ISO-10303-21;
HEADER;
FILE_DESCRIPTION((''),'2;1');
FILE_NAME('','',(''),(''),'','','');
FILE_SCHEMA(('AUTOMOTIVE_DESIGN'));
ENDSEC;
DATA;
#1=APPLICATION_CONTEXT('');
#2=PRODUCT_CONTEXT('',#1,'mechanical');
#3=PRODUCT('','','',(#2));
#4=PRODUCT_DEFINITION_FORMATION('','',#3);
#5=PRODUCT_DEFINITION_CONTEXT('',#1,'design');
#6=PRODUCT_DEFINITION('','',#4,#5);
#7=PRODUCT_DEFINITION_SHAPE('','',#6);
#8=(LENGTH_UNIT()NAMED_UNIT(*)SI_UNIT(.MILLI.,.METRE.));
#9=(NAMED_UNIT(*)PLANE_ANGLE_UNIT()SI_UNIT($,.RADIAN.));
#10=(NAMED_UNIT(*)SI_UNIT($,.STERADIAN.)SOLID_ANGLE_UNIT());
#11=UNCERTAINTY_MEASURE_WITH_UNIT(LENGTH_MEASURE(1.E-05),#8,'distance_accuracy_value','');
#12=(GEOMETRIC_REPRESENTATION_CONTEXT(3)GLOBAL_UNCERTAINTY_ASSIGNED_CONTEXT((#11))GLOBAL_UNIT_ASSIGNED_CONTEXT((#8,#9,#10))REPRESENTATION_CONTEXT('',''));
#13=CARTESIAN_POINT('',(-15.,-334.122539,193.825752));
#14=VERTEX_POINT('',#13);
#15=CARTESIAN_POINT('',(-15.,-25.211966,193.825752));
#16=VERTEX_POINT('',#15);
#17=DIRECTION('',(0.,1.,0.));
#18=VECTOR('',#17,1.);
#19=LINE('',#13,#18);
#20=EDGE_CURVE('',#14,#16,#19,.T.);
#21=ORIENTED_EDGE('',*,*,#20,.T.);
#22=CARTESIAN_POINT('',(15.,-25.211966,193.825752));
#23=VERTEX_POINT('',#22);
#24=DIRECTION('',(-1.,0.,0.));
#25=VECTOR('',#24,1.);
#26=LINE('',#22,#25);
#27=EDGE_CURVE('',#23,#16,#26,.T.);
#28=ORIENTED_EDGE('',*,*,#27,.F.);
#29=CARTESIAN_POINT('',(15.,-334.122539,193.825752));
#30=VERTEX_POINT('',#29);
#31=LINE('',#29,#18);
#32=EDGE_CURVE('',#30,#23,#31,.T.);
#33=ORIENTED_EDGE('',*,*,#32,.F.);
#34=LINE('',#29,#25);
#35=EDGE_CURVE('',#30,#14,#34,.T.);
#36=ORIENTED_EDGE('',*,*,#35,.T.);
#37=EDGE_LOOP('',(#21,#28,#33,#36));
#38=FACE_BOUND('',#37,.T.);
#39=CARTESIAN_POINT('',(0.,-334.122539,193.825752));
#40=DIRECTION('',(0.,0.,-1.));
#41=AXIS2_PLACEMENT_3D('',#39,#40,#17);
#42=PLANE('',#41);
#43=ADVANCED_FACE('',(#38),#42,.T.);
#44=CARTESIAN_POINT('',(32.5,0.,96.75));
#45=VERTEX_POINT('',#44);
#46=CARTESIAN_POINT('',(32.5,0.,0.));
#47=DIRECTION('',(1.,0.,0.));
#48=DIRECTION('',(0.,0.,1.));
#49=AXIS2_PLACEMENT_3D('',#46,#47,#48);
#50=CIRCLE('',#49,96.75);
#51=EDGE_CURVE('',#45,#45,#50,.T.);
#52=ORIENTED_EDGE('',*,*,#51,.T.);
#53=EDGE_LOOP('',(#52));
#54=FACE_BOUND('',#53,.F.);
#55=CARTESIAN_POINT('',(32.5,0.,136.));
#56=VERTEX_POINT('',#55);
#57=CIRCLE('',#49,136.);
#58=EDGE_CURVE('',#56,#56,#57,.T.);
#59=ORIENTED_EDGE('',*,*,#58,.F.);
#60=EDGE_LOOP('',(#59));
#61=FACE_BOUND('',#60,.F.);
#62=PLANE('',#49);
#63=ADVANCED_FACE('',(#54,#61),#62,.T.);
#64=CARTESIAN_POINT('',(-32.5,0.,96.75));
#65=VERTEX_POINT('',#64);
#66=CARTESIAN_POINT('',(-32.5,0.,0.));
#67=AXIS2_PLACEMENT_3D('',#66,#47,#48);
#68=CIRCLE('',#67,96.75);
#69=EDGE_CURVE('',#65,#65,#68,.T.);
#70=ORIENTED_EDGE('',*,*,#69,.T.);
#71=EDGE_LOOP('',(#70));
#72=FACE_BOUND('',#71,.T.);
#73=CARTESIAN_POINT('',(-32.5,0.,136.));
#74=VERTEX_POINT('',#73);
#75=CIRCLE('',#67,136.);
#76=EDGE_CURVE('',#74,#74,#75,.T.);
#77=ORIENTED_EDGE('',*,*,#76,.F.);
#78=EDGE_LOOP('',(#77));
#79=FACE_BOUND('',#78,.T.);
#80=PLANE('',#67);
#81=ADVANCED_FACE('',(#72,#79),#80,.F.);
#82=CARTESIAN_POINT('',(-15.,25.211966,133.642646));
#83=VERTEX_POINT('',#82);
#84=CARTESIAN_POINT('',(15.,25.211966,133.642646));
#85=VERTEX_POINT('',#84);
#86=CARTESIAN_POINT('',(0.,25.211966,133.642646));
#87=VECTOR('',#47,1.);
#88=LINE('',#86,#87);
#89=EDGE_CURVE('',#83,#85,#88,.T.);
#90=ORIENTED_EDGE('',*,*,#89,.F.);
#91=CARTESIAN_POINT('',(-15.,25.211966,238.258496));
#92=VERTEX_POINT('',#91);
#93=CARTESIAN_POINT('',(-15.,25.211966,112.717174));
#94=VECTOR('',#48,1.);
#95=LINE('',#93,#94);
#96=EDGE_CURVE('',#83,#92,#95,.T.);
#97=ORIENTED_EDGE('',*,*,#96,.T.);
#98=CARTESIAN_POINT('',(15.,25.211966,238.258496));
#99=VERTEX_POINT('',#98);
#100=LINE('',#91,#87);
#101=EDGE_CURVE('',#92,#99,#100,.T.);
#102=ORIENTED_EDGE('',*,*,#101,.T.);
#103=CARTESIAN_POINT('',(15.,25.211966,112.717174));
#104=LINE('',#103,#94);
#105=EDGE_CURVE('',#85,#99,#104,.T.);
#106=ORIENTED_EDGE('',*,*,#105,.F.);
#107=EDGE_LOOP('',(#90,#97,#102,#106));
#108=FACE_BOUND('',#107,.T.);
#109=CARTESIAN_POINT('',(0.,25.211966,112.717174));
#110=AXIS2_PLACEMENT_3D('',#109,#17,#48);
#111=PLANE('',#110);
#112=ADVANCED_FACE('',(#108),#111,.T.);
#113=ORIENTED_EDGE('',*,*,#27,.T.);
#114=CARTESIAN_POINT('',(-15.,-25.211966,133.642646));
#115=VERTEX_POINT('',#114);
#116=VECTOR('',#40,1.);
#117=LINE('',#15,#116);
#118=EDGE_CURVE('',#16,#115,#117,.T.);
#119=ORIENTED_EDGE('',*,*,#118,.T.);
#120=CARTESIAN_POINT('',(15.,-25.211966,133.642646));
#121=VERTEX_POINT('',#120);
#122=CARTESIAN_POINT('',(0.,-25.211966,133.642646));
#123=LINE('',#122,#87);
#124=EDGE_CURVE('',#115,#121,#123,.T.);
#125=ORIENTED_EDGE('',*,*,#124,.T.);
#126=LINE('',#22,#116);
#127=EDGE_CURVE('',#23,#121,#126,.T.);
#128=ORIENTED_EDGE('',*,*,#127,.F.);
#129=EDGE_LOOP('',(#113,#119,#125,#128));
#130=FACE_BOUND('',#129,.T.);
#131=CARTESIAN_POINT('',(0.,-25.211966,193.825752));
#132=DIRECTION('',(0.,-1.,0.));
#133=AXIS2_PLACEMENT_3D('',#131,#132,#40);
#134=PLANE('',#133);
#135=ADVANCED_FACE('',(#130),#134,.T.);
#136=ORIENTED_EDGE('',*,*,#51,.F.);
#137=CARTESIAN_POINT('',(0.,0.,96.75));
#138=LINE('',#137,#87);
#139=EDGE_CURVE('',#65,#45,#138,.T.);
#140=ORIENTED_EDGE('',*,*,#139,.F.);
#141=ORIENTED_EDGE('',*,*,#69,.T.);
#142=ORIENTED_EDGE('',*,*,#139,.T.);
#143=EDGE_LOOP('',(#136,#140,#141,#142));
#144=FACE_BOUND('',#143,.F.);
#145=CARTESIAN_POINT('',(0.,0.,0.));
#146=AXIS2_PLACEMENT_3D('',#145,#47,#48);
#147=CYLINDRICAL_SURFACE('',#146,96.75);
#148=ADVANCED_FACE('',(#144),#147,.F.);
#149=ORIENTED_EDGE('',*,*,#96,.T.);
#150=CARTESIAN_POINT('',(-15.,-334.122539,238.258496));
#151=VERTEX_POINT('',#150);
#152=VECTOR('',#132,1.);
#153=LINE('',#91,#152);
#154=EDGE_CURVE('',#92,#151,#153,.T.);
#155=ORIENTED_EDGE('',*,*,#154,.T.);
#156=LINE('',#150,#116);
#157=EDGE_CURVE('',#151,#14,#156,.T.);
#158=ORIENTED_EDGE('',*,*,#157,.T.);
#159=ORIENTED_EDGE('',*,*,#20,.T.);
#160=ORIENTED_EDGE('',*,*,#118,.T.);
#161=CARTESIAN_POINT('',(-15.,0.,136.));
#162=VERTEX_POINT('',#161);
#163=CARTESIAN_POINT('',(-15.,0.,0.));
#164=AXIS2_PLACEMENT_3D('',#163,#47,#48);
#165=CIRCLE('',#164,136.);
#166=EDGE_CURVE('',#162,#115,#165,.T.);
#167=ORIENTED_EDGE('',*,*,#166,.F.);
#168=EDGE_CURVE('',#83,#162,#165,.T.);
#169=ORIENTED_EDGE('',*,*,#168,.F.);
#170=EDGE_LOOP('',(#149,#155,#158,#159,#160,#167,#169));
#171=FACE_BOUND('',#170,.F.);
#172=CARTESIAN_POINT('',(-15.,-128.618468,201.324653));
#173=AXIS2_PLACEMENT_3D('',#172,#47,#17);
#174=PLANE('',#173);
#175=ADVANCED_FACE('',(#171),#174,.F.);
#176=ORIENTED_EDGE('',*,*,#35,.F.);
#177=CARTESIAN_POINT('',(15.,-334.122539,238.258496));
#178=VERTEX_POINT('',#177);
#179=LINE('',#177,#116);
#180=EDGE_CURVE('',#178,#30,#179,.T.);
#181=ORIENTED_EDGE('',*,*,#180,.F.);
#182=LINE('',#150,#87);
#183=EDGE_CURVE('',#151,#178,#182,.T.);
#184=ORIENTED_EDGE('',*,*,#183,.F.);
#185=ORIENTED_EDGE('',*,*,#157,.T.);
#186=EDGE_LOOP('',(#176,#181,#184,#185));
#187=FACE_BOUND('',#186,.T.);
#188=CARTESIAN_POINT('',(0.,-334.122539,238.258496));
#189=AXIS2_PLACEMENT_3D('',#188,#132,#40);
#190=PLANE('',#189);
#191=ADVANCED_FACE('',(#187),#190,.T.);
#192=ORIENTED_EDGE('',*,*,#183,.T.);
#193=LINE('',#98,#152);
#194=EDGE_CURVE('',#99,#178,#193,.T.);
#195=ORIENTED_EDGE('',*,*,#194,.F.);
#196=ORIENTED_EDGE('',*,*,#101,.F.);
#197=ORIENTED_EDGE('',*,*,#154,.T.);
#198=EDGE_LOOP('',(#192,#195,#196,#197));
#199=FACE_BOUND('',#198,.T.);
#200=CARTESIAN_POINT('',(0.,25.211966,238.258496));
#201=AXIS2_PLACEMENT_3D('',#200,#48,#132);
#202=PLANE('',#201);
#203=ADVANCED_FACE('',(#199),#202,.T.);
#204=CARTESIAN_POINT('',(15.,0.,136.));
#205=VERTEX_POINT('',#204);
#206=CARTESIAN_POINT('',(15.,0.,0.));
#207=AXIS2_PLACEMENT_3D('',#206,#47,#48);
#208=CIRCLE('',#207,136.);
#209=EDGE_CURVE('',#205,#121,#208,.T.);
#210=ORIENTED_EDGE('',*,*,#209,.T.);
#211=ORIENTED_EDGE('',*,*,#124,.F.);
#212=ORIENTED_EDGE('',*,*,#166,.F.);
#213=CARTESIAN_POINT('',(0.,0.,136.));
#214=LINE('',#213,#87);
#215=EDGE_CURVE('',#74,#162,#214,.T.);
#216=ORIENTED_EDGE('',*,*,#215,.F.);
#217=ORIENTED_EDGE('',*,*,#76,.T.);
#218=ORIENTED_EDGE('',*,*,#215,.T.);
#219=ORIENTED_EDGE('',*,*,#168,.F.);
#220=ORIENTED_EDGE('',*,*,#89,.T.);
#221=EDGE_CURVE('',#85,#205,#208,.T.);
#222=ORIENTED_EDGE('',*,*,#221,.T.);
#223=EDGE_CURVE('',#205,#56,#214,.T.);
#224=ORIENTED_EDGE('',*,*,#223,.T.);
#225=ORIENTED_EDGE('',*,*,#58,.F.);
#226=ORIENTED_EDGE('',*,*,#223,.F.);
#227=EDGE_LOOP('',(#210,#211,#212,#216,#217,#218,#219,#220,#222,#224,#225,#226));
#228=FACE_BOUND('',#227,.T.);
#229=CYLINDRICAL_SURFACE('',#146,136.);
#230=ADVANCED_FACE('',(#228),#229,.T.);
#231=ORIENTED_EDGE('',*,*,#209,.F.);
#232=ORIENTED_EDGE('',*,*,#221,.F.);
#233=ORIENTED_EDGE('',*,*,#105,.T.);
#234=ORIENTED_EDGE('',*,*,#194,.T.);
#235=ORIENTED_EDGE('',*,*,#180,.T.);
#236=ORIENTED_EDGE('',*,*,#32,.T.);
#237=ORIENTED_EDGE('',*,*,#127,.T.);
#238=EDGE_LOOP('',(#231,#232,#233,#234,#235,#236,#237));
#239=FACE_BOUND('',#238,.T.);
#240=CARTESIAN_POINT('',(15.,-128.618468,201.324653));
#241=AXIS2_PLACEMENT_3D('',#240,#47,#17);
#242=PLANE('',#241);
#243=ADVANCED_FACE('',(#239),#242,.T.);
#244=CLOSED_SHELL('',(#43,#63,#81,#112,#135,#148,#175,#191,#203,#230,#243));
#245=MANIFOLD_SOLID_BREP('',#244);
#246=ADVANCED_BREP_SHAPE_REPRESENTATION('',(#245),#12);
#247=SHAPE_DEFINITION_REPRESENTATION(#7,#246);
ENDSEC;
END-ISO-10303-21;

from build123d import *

# Parameters (mm, degrees)
F0_W     = 65
F0_H     = 39.25
F3_DEPTH = 15


with BuildPart() as f1:
    # F0 (on Front) → F1 (revolve)
    with BuildSketch(Plane.XZ):
        with Locations((0, 116.375)):
            Rectangle(F0_W, F0_H)
    revolve(axis=Axis((47.677, 0, 0), (1, 0, 0)))

    # F2 (on Right) → F3 (join, symmetric)
    with BuildSketch(Plane.YZ):
        Polygon((-25.211966, 112.717174), (25.211966, 112.717174), (25.211966, 238.258496), (-334.122539, 238.258496), (-334.122539, 193.825752), (-25.211966, 193.825752), align=None)
    extrude(amount=F3_DEPTH, both=True)


solid = f1.part
